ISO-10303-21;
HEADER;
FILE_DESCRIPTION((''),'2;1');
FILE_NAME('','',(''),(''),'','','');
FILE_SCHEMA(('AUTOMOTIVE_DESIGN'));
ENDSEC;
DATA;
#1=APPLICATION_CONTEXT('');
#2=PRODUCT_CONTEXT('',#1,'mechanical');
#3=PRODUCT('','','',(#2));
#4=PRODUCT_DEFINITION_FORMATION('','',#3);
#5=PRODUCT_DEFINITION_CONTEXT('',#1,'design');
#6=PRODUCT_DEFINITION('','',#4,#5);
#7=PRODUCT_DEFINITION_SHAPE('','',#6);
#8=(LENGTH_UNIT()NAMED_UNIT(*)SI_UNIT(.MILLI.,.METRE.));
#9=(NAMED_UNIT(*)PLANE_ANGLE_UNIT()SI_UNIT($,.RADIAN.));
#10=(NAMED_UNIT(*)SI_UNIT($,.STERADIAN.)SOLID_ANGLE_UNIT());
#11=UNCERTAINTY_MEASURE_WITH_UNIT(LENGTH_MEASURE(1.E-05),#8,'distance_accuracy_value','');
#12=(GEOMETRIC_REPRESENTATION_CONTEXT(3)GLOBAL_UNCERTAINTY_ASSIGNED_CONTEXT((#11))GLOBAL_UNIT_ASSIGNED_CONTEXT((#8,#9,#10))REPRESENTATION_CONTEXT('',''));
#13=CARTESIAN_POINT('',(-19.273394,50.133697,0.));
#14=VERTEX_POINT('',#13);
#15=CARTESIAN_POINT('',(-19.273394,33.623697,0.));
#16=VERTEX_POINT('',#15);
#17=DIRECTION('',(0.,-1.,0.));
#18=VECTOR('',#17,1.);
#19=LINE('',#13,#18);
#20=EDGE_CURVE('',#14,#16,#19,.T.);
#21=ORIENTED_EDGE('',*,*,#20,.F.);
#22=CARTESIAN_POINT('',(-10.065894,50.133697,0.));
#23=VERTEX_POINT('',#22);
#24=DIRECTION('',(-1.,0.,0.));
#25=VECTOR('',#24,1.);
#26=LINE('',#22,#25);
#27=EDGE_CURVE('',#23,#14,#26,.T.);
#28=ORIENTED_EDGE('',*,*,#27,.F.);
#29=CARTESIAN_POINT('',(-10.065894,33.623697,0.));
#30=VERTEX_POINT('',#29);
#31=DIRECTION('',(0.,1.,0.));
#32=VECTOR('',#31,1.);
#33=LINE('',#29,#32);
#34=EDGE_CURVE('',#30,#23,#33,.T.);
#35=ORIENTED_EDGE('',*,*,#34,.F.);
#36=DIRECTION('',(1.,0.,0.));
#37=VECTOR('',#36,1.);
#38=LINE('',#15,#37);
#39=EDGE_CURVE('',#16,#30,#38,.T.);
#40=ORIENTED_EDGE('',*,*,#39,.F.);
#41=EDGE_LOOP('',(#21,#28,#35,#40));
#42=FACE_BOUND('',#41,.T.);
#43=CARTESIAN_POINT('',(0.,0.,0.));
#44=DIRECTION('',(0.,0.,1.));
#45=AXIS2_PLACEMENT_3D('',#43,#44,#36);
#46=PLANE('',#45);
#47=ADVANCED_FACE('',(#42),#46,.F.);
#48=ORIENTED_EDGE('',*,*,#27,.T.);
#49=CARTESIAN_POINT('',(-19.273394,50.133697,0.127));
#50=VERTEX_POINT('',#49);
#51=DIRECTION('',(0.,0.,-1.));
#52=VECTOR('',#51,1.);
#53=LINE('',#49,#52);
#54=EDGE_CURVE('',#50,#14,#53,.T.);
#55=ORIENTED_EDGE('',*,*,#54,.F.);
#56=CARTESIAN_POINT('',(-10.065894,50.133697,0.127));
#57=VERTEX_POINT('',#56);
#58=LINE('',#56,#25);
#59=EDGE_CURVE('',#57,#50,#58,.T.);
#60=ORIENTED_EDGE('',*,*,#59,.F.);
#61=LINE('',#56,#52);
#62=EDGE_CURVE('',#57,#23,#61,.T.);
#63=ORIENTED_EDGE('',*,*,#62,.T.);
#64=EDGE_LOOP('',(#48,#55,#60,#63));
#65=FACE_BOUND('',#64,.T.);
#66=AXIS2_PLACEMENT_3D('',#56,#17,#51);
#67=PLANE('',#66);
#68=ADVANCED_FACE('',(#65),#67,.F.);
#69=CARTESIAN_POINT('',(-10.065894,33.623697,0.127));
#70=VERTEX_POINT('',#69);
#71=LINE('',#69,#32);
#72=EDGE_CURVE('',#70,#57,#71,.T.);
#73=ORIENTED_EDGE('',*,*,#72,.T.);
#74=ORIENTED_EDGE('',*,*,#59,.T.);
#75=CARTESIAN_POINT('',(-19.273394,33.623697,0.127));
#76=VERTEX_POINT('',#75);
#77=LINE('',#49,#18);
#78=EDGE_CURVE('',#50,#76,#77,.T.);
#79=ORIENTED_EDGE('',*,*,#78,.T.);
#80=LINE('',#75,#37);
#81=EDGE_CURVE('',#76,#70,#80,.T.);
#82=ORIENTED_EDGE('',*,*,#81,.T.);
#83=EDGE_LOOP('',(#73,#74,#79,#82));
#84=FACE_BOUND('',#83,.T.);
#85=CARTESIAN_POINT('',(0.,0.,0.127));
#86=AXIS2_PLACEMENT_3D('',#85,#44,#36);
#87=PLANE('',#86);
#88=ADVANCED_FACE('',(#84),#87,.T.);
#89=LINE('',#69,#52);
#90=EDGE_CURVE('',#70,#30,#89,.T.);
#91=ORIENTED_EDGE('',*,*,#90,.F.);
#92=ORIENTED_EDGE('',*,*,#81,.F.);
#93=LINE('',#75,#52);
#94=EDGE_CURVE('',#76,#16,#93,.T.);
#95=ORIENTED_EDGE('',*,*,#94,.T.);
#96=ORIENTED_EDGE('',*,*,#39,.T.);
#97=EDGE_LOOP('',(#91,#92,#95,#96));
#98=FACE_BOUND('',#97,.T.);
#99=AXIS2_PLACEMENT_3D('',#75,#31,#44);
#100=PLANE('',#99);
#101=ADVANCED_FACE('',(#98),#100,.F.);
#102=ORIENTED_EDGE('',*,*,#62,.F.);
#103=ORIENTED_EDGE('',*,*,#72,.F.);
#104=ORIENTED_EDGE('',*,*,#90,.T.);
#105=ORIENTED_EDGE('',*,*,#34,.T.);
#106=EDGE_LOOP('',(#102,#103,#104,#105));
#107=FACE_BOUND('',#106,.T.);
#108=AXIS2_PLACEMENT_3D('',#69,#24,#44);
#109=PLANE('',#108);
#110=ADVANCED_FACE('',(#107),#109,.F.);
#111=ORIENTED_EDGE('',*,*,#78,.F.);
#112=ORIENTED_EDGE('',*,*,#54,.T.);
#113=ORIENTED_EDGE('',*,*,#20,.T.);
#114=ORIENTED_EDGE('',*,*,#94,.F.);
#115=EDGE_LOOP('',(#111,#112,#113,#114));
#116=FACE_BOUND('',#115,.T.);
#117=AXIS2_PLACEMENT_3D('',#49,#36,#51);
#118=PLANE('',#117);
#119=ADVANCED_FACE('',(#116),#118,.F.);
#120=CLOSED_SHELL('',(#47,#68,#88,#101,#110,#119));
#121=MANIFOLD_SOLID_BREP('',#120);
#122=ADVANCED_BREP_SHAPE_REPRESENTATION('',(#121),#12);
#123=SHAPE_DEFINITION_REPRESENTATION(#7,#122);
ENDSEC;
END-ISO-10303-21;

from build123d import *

# Parameters (mm, degrees)
SKETCH1_W           = 9.2075
SKETCH1_H           = 16.51
BOSS_EXTRUDE1_DEPTH = 0.127


with BuildPart() as part:
    # Sketch1 → Boss-Extrude1 (new body)
    with BuildSketch(Plane.XY):
        with Locations((-14.669644351, 41.878696913)):
            Rectangle(SKETCH1_W, SKETCH1_H)
    extrude(amount=BOSS_EXTRUDE1_DEPTH)


solid = part.part
